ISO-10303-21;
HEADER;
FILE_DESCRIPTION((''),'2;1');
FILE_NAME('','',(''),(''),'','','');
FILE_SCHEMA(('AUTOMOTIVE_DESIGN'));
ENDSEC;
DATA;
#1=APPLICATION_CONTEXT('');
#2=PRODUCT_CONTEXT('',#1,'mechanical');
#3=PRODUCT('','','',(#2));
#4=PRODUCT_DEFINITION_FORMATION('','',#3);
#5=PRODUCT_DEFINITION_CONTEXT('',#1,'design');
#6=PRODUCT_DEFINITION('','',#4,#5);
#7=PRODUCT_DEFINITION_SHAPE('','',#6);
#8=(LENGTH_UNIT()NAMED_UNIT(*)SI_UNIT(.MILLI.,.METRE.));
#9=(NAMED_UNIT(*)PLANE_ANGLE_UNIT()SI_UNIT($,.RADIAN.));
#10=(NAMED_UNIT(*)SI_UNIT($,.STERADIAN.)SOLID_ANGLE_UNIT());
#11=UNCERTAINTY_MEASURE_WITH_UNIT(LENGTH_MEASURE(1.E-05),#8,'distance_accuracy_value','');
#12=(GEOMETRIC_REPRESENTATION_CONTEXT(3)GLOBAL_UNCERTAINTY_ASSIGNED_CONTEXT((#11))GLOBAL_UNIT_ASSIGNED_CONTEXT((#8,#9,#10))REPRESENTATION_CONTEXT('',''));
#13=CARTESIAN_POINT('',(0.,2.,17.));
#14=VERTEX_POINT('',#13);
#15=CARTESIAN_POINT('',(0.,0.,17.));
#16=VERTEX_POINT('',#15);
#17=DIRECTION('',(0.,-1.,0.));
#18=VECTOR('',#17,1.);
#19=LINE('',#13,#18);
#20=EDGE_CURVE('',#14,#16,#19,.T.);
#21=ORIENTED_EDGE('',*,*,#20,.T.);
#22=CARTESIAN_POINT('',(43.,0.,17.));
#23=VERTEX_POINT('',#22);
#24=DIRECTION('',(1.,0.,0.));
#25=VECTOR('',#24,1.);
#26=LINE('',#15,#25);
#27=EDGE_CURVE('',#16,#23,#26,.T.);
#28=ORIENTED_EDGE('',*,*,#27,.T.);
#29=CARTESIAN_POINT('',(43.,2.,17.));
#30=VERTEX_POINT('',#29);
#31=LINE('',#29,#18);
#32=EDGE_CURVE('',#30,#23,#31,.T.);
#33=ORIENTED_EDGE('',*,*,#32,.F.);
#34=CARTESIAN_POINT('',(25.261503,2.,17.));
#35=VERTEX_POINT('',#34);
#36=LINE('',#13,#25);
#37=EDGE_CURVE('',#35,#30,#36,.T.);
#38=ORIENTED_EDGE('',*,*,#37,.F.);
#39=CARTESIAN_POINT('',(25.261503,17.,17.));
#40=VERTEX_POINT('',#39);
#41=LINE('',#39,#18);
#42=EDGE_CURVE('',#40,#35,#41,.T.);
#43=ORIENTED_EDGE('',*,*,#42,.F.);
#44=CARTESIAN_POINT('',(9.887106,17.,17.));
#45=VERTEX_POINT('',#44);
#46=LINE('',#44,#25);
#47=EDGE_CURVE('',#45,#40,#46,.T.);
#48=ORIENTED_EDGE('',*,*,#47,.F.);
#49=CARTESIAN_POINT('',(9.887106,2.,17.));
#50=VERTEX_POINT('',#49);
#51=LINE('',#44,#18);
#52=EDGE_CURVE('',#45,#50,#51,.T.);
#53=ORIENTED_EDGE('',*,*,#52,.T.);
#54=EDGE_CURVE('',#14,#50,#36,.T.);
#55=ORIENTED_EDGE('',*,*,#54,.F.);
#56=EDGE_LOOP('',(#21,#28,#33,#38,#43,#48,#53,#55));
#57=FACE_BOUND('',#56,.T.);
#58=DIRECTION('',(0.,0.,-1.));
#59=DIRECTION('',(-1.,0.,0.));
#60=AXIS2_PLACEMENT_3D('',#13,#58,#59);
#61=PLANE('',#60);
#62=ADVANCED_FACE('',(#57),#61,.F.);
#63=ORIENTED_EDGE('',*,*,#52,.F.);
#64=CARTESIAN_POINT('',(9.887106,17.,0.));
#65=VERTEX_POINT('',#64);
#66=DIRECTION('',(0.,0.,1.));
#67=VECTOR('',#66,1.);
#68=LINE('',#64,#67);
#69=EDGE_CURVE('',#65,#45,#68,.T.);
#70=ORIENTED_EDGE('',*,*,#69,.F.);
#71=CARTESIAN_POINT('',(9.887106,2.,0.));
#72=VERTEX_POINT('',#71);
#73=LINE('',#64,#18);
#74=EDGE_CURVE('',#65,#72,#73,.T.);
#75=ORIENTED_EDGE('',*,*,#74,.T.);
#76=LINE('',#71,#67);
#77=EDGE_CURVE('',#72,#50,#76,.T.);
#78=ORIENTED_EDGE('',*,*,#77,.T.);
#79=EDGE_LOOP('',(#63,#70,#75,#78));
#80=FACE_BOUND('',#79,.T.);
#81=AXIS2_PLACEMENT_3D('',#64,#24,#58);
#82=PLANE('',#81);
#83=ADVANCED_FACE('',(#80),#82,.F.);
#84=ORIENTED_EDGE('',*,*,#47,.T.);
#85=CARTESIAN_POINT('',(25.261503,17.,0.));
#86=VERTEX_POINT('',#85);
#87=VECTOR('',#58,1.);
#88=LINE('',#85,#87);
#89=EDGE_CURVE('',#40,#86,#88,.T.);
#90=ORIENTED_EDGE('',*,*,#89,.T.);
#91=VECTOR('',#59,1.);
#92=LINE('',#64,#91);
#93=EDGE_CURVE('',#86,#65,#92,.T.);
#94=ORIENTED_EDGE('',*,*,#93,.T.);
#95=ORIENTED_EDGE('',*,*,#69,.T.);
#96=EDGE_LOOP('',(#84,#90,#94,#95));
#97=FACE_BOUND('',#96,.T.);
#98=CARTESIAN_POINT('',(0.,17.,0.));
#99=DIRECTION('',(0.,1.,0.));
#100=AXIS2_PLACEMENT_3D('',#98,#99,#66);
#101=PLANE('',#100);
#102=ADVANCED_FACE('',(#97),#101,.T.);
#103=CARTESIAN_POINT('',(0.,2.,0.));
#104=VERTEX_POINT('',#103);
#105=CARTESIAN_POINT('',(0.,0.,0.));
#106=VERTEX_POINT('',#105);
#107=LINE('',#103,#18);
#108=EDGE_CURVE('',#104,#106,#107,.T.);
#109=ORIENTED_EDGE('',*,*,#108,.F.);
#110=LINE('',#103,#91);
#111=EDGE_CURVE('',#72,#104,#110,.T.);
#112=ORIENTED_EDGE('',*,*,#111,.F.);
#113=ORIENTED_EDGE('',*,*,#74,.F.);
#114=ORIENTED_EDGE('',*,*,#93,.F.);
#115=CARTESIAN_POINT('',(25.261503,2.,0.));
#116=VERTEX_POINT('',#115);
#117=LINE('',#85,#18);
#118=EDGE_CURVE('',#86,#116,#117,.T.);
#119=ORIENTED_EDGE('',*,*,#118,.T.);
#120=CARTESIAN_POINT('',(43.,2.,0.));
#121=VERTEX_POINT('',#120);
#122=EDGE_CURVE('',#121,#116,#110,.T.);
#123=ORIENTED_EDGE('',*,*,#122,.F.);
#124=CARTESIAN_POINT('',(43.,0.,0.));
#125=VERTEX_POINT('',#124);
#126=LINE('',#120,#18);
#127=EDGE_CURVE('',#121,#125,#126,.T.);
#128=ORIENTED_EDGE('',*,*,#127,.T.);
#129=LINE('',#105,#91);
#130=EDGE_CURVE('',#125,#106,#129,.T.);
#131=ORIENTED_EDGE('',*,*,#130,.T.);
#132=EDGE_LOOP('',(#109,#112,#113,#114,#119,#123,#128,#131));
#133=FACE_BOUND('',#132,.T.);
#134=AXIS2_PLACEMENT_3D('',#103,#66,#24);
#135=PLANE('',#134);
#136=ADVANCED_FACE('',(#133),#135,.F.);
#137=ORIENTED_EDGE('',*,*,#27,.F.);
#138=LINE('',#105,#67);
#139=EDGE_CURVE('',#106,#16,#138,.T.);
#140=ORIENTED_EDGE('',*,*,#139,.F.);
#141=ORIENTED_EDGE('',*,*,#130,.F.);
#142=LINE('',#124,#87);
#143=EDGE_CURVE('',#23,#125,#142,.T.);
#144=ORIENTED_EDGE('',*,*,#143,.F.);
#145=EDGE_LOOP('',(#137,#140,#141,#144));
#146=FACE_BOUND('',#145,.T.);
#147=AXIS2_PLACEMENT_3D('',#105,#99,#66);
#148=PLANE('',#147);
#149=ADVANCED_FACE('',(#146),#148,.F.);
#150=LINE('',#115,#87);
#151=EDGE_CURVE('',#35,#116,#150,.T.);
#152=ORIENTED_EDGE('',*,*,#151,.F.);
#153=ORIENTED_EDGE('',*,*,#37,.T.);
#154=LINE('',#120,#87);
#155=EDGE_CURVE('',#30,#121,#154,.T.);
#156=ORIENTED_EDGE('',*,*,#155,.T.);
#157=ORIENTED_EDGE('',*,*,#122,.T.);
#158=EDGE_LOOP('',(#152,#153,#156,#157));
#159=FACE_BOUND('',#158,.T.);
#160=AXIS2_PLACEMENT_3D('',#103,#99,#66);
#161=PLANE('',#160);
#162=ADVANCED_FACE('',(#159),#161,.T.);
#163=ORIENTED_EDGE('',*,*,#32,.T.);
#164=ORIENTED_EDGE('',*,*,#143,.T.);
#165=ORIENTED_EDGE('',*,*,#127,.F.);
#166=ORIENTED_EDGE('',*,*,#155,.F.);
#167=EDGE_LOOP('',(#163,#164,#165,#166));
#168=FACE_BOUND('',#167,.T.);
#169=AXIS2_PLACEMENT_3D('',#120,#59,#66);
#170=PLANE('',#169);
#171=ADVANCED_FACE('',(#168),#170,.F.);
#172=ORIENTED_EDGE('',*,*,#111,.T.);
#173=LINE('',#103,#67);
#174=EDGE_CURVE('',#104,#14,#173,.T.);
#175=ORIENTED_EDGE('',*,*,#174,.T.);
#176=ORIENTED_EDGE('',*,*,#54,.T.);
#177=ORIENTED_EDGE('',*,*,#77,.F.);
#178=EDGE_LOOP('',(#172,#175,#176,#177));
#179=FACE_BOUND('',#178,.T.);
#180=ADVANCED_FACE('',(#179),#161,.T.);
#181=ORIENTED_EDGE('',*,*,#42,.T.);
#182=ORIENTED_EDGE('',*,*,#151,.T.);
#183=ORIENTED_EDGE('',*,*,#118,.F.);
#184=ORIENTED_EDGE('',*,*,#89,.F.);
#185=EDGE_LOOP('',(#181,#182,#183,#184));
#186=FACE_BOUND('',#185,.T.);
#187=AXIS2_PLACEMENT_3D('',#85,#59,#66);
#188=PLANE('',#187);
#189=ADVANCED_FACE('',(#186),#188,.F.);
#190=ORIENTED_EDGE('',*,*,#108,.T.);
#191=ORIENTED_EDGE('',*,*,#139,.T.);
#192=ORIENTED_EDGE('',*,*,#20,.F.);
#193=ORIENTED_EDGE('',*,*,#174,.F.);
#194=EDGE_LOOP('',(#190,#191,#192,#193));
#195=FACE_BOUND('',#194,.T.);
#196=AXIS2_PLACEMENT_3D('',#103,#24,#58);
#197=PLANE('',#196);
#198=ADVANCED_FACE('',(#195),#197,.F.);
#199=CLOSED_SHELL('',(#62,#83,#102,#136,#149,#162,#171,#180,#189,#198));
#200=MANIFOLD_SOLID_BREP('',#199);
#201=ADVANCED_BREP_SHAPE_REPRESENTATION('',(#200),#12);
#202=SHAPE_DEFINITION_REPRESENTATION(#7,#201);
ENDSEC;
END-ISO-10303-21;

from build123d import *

# Parameters (mm, degrees)
SKETCH1_W           = 43
SKETCH1_H           = 17
BOSS_EXTRUDE1_DEPTH = 2
SKETCH2_W           = 15.374396347
SKETCH2_H           = 17
BOSS_EXTRUDE2_DEPTH = 15


with BuildPart() as part:
    # Sketch1 → Boss-Extrude1 (new body)
    with BuildSketch(Plane(origin=(0, 0, 0), x_dir=(1, 0, 0), z_dir=(0, 1, 0))):
        with Locations((21.5, -8.5)):
            Rectangle(SKETCH1_W, SKETCH1_H)
    extrude(amount=BOSS_EXTRUDE1_DEPTH)

    # Sketch2 → Boss-Extrude2 (add)
    with BuildSketch(Plane(origin=(0, 2, 0), x_dir=(1, 0, 0), z_dir=(0, 1, 0))):
        with Locations((17.574304623, -8.5)):
            Rectangle(SKETCH2_W, SKETCH2_H)
    extrude(amount=BOSS_EXTRUDE2_DEPTH)


solid = part.part
